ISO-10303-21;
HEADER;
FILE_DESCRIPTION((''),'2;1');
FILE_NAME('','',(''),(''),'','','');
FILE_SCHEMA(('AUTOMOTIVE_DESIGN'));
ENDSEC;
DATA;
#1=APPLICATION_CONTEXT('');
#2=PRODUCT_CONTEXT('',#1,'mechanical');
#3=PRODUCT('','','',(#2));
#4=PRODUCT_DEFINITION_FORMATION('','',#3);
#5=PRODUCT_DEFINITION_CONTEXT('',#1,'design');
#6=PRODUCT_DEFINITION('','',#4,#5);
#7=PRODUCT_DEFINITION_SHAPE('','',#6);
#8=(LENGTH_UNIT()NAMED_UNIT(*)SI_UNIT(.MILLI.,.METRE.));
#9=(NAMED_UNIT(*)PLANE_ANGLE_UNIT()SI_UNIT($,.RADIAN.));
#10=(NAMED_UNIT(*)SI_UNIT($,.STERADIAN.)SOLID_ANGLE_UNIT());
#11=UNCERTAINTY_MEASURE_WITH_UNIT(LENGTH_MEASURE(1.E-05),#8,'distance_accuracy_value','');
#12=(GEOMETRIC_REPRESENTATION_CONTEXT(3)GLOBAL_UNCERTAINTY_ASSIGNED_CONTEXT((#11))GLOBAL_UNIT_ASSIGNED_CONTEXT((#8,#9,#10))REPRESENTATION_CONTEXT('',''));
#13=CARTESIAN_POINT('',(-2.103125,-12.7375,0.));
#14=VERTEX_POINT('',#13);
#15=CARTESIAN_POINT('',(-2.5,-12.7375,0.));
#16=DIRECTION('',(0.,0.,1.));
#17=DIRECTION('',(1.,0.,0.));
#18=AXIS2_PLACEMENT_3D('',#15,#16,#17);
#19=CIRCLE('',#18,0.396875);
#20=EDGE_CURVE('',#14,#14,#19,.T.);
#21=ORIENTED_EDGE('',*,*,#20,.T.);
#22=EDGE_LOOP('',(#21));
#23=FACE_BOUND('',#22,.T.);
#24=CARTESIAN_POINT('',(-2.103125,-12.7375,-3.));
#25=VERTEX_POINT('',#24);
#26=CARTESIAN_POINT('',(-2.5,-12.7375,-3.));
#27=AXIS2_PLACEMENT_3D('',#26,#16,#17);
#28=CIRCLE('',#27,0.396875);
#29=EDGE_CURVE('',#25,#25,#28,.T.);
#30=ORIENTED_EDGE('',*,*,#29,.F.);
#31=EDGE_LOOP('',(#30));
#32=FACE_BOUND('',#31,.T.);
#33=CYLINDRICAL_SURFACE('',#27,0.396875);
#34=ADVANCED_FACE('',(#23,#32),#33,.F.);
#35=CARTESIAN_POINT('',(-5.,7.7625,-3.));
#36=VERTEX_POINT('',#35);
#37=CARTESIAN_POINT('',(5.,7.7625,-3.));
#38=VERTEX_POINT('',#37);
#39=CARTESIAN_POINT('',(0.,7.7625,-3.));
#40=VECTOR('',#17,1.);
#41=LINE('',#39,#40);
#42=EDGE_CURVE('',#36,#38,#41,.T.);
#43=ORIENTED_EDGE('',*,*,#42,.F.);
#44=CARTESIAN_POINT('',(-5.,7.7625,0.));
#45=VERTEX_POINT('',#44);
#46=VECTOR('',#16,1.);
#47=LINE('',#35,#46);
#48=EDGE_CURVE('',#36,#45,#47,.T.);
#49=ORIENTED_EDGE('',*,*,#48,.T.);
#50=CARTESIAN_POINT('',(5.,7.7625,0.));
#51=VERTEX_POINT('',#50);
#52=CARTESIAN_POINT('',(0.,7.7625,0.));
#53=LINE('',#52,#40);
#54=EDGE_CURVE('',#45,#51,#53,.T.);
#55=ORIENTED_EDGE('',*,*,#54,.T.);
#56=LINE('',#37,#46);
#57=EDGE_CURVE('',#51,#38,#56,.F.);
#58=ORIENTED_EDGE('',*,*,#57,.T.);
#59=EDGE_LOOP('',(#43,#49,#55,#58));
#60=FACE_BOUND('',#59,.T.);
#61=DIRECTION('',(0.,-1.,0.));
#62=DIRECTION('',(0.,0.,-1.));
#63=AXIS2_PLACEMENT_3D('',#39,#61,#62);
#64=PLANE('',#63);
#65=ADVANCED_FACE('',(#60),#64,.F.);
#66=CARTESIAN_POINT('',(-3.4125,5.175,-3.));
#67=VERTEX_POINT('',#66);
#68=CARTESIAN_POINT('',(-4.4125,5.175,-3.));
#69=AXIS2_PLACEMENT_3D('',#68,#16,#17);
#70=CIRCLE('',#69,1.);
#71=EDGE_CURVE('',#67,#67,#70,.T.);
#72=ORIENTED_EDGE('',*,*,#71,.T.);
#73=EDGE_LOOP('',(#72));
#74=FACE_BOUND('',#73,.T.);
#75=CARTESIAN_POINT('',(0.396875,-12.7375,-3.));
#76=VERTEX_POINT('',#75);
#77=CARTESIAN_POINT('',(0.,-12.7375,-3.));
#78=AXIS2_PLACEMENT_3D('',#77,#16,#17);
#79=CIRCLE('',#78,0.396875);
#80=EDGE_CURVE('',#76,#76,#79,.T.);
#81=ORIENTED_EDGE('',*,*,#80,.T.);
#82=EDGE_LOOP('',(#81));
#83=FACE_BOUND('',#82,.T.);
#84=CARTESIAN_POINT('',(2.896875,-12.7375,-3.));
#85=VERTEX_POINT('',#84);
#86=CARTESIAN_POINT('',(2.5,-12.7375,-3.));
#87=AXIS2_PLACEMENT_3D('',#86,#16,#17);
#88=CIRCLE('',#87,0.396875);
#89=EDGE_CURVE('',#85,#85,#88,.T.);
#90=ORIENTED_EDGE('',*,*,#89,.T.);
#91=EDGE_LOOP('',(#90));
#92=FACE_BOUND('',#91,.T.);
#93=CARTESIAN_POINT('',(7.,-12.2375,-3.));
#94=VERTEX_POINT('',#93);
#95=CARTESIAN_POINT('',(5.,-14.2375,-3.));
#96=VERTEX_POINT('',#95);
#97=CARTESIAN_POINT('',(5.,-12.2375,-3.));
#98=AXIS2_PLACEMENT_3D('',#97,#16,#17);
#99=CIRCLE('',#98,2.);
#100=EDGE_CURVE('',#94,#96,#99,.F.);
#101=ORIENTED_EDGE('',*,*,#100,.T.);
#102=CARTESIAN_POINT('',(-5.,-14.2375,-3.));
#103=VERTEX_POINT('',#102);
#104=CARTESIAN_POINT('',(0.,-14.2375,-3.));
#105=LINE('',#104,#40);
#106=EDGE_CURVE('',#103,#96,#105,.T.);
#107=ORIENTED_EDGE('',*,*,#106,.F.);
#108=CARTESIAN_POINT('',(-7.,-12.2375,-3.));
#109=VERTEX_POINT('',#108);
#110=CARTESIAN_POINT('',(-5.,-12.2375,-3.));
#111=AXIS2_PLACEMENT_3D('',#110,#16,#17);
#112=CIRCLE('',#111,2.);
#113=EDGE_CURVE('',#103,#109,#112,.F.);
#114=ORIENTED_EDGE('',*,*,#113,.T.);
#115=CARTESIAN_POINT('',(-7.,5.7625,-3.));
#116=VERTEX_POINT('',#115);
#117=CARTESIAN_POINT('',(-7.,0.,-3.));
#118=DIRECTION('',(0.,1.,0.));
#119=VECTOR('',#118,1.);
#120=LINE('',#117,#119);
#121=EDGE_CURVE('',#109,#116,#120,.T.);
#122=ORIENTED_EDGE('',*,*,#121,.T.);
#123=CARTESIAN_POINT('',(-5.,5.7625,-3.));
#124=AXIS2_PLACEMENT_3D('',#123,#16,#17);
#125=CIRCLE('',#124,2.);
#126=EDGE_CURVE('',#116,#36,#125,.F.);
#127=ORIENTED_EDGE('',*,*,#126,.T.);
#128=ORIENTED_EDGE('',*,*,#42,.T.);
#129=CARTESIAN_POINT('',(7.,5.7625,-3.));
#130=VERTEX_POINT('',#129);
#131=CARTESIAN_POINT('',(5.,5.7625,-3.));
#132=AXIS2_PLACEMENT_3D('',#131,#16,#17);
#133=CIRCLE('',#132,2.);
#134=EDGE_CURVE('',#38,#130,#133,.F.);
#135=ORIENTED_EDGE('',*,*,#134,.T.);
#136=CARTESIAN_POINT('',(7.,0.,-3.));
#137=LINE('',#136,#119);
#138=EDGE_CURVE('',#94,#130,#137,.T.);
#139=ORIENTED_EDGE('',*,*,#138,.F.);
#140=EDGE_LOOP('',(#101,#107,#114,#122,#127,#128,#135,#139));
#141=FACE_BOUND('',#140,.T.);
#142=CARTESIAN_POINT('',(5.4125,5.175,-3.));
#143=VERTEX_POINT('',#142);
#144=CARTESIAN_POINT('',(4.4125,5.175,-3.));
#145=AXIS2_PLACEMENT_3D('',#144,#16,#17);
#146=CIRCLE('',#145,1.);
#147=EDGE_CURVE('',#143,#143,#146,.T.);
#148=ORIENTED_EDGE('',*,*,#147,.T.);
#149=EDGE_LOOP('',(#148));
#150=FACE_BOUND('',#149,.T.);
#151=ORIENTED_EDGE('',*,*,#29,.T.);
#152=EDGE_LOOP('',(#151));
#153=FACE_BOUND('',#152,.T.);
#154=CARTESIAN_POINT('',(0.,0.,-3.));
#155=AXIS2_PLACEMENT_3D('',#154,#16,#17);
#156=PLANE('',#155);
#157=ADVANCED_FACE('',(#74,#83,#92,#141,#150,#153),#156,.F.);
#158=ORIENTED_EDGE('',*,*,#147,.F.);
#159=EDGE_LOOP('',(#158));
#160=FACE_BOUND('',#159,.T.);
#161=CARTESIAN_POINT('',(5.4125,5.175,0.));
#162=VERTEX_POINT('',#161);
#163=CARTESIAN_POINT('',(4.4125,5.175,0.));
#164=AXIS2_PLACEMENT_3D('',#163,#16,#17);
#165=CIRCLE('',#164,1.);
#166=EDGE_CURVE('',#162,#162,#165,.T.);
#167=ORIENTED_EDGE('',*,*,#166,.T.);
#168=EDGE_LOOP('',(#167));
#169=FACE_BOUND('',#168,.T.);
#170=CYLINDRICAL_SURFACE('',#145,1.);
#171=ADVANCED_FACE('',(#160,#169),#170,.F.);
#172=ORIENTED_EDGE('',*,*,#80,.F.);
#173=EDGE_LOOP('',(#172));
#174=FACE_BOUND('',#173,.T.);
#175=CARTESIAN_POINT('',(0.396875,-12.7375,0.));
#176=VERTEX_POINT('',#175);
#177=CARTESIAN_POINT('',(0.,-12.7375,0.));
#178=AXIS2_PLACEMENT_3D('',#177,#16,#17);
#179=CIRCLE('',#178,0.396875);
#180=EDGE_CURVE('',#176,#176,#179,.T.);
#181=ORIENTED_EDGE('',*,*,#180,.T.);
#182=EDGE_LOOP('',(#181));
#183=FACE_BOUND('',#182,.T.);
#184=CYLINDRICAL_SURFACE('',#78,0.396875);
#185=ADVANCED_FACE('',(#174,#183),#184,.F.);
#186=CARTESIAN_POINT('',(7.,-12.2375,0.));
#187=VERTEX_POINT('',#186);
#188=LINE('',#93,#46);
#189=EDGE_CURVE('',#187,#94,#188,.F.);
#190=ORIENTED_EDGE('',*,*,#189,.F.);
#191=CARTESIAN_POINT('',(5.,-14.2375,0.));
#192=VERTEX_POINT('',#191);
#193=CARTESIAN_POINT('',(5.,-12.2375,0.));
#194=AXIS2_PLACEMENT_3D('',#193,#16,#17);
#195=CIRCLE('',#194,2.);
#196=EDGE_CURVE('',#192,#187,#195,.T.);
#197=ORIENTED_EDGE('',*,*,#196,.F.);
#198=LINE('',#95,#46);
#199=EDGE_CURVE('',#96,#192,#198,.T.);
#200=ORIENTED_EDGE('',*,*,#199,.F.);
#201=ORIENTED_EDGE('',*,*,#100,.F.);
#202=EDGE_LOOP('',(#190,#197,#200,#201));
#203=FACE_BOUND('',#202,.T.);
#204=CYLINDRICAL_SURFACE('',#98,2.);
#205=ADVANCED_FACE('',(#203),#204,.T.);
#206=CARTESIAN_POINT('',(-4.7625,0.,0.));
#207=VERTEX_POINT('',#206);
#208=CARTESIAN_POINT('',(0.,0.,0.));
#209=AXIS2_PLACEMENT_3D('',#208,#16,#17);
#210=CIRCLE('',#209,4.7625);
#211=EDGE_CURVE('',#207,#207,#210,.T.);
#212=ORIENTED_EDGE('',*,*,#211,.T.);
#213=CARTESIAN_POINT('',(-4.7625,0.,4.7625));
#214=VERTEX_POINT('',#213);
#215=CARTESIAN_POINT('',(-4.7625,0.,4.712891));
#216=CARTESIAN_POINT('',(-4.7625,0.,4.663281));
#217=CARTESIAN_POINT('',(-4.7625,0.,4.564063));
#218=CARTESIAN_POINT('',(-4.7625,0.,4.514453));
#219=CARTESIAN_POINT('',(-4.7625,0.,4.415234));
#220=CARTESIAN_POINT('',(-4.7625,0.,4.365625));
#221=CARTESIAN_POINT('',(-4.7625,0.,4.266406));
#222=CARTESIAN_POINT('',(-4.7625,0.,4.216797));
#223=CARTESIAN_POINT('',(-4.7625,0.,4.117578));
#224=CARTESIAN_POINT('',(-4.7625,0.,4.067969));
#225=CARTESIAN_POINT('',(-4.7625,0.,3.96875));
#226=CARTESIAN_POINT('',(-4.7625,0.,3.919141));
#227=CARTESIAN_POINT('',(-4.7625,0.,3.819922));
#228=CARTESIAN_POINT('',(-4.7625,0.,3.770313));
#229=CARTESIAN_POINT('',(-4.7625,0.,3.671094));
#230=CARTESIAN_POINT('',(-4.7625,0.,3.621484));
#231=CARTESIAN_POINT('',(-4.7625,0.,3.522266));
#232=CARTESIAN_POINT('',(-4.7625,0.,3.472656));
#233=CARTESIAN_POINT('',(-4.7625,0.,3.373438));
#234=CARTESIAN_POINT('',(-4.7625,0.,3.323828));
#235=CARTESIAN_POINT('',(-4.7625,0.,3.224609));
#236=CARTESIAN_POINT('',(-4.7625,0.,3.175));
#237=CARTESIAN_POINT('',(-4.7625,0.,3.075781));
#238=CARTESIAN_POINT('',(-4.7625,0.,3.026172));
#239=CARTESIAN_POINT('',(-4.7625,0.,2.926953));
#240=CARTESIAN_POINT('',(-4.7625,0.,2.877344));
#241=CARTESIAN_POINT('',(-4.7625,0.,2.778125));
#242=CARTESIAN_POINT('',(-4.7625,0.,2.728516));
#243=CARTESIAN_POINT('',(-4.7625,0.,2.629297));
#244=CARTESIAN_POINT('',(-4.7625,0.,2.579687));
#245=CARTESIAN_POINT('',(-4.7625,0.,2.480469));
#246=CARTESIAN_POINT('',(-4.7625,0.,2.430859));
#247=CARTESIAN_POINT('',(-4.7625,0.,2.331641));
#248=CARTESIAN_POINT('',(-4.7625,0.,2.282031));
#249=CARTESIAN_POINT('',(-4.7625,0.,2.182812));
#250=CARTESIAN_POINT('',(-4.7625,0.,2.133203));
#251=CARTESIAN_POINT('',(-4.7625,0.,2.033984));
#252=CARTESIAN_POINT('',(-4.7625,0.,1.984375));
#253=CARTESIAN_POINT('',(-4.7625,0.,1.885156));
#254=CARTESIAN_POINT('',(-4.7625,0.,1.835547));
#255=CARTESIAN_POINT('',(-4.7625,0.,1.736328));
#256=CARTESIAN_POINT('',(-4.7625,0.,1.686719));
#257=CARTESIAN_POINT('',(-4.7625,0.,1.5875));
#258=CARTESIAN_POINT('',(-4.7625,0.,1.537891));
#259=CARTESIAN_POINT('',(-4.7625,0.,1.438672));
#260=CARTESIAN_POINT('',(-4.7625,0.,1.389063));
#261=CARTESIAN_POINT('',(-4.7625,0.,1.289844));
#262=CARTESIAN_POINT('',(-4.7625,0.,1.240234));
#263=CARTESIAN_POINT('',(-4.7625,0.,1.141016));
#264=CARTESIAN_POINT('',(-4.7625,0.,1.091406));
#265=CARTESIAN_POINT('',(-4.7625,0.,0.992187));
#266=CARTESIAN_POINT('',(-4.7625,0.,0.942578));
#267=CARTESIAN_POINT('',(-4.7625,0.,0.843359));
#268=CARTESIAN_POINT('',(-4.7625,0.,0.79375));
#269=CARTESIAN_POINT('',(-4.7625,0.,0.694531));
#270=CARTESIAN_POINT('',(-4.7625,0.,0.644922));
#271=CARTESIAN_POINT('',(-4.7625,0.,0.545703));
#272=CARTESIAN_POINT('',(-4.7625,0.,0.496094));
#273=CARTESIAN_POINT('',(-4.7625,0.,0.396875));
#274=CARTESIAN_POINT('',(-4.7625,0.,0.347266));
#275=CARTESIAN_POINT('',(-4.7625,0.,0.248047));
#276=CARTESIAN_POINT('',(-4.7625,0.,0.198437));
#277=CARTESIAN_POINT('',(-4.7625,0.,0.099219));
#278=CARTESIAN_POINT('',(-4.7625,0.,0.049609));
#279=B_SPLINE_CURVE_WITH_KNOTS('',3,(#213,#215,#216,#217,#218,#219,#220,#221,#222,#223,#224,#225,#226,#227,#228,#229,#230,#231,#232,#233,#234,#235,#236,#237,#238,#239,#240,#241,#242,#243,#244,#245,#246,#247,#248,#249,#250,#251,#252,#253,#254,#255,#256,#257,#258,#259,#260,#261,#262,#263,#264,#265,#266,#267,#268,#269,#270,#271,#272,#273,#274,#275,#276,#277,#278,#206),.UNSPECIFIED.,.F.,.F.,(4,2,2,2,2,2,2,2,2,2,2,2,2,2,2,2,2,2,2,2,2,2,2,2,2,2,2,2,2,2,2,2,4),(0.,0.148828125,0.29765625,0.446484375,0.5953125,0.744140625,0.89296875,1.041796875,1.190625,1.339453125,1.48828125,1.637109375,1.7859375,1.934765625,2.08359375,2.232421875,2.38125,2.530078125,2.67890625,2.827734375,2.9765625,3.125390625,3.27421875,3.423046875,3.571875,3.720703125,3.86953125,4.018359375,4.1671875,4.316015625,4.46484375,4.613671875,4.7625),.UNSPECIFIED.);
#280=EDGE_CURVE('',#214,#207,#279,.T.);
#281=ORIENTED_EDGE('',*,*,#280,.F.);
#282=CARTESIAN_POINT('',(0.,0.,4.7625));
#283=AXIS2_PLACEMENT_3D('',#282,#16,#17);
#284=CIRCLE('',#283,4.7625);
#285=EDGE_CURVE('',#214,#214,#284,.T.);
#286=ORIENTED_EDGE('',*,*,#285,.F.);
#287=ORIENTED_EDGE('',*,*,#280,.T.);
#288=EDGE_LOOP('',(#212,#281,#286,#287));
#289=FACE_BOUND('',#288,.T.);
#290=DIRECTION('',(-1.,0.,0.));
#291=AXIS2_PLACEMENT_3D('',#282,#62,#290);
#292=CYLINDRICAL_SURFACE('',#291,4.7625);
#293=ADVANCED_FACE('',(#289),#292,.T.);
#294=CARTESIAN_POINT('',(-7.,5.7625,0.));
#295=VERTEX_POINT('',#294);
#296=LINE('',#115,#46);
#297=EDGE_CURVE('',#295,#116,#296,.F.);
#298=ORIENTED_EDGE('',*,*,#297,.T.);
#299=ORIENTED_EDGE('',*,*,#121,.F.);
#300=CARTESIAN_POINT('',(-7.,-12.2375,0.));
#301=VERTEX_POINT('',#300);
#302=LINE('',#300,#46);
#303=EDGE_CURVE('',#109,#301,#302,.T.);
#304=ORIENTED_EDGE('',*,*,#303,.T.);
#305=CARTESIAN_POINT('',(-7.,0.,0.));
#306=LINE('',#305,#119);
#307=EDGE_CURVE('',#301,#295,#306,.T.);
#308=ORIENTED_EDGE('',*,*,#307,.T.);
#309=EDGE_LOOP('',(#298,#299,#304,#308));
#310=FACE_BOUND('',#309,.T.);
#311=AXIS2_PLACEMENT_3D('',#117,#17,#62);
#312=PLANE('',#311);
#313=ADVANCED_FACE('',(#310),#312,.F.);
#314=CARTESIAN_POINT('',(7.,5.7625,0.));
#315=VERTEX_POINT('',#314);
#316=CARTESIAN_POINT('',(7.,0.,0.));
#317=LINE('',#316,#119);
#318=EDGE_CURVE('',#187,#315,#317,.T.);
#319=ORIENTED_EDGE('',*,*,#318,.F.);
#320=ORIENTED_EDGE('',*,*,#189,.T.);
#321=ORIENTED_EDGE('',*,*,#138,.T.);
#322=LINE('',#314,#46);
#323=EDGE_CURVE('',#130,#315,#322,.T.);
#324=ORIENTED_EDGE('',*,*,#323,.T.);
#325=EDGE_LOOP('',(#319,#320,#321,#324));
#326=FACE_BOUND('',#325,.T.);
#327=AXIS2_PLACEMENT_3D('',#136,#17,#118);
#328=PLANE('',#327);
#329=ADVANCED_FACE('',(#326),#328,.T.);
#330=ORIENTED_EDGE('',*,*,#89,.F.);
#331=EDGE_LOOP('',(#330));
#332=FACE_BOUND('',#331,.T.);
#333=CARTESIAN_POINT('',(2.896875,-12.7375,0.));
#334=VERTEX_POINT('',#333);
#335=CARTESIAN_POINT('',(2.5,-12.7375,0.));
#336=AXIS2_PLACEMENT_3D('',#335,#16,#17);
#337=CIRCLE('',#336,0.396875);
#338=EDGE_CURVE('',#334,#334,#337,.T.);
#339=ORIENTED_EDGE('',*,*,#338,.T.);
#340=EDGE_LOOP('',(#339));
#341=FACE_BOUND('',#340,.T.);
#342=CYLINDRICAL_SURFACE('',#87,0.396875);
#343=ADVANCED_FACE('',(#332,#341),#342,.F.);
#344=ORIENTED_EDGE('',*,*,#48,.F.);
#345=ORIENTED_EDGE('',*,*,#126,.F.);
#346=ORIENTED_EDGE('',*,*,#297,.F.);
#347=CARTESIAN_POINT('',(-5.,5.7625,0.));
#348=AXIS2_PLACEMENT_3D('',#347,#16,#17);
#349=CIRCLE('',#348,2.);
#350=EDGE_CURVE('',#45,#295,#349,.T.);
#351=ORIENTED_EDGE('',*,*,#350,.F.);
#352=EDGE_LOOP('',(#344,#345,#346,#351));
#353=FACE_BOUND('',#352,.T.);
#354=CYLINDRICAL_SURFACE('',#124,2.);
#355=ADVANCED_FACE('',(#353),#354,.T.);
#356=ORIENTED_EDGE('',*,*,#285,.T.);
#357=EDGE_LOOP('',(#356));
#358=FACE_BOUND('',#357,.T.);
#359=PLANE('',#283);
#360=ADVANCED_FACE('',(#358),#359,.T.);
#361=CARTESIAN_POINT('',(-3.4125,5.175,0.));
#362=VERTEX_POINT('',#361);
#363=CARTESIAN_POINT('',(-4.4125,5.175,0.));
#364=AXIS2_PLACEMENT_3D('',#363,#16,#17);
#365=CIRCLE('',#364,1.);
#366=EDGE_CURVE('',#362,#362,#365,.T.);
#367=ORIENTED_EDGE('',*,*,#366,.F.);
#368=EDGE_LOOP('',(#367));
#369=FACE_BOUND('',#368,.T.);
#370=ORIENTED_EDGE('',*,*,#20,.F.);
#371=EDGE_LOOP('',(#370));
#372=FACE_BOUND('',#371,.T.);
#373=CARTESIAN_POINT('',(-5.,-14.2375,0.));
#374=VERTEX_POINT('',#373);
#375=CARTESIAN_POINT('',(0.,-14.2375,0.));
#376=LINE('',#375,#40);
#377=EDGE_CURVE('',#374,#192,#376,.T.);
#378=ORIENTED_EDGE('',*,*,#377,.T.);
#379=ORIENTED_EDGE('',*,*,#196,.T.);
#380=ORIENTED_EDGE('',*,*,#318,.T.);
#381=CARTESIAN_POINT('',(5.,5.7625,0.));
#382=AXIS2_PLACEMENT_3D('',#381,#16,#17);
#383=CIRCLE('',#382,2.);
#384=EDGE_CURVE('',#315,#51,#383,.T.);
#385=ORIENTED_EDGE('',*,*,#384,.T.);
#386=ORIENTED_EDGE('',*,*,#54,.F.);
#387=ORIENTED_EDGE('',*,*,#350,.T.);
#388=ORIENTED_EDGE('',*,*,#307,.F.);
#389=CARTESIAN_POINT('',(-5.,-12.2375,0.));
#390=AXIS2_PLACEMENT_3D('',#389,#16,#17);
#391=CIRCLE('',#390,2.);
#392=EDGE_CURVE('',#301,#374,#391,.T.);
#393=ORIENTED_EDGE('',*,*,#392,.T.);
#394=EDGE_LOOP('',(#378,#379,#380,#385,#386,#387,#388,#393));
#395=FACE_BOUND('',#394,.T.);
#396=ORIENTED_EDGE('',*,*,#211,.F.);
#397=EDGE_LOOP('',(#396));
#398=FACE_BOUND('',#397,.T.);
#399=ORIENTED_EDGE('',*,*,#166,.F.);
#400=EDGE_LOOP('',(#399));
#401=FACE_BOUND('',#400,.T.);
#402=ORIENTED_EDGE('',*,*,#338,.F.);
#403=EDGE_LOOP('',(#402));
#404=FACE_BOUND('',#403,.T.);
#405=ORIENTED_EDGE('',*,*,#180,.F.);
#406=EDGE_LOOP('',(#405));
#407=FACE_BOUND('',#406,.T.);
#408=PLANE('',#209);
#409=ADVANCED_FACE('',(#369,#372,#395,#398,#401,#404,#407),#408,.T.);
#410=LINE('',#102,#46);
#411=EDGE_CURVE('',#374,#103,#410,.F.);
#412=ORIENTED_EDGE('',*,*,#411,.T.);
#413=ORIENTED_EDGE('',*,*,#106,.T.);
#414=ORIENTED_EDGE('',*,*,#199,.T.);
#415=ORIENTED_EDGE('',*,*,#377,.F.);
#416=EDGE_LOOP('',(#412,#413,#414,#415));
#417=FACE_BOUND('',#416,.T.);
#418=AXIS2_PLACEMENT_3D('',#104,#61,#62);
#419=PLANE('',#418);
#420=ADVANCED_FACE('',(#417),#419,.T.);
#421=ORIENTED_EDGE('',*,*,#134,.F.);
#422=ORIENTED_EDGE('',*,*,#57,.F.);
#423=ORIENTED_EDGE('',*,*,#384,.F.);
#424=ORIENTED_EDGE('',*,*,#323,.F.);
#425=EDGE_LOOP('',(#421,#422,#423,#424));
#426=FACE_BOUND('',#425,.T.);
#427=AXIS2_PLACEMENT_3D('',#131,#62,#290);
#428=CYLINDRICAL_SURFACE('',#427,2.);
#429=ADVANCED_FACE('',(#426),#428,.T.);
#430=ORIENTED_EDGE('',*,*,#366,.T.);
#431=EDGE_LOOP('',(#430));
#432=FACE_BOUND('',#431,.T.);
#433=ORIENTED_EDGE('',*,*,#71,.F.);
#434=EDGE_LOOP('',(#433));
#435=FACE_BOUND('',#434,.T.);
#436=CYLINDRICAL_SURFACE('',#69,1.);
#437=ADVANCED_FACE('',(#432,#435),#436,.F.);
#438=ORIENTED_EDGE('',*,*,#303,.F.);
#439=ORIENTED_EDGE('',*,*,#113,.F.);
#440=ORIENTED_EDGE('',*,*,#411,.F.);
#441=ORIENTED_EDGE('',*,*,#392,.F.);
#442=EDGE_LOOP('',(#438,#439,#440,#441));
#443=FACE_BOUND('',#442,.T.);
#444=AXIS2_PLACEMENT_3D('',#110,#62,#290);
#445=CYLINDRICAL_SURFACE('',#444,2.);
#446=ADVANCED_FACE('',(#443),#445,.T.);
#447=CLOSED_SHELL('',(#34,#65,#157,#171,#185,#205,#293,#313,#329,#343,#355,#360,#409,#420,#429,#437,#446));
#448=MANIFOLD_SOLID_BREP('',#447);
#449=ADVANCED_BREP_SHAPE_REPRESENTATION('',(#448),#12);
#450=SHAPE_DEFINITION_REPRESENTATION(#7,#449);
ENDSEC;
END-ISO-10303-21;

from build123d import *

# Parameters (mm, degrees)
SKETCH1_R               = 4.7625
BOSS_EXTRUDE1_DEPTH     = 4.7625
SKETCH1_3_W             = 14
SKETCH1_3_H             = 22
BOSS_EXTRUDE2_DEPTH     = 3
FILLET1_R               = 2
CUT_EXTRUDE1_DEPTH      = 17.56465552
CUT_EXTRUDE1_DEPTH_BACK = 17.56465552
SKETCH2_R               = 0.396875
SKETCH2_R_2             = 1


with BuildPart() as part:
    # Sketch1 → Boss-Extrude1 (new body)
    with BuildSketch(Plane.XY):
        Circle(SKETCH1_R)
    extrude(amount=BOSS_EXTRUDE1_DEPTH)

    # Sketch1<3> → Boss-Extrude2 (add)
    with BuildSketch(Plane.XY):
        with Locations((0, -3.2375)):
            Rectangle(SKETCH1_3_W, SKETCH1_3_H)
    extrude(amount=-BOSS_EXTRUDE2_DEPTH)

    # Fillet1
    fillet1_edges = [part.edges().sort_by_distance(p)[0] for p in [
        (-7, -14.2375, -1.5),
        (-7, 7.7625, -1.5),
        (7, -14.2375, -1.5),
        (7, 7.7625, -1.5),
    ]]
    fillet(fillet1_edges, radius=FILLET1_R)

    # Sketch2 → Cut-Extrude1 (cut, two sides: drawn at the far end of the back side and taken through both)
    with BuildSketch(Plane.XY.offset(-CUT_EXTRUDE1_DEPTH_BACK)):
        with Locations((0, -12.7375)):
            Circle(SKETCH2_R)
        with Locations((2.5, -12.7375)):
            Circle(SKETCH2_R)
        with Locations((-2.5, -12.7375)):
            Circle(SKETCH2_R)
        with Locations((-4.4125, 5.175)):
            Circle(SKETCH2_R_2)
        with Locations((4.4125, 5.175)):
            Circle(SKETCH2_R_2)
    extrude(amount=CUT_EXTRUDE1_DEPTH + CUT_EXTRUDE1_DEPTH_BACK, mode=Mode.SUBTRACT)


solid = part.part
